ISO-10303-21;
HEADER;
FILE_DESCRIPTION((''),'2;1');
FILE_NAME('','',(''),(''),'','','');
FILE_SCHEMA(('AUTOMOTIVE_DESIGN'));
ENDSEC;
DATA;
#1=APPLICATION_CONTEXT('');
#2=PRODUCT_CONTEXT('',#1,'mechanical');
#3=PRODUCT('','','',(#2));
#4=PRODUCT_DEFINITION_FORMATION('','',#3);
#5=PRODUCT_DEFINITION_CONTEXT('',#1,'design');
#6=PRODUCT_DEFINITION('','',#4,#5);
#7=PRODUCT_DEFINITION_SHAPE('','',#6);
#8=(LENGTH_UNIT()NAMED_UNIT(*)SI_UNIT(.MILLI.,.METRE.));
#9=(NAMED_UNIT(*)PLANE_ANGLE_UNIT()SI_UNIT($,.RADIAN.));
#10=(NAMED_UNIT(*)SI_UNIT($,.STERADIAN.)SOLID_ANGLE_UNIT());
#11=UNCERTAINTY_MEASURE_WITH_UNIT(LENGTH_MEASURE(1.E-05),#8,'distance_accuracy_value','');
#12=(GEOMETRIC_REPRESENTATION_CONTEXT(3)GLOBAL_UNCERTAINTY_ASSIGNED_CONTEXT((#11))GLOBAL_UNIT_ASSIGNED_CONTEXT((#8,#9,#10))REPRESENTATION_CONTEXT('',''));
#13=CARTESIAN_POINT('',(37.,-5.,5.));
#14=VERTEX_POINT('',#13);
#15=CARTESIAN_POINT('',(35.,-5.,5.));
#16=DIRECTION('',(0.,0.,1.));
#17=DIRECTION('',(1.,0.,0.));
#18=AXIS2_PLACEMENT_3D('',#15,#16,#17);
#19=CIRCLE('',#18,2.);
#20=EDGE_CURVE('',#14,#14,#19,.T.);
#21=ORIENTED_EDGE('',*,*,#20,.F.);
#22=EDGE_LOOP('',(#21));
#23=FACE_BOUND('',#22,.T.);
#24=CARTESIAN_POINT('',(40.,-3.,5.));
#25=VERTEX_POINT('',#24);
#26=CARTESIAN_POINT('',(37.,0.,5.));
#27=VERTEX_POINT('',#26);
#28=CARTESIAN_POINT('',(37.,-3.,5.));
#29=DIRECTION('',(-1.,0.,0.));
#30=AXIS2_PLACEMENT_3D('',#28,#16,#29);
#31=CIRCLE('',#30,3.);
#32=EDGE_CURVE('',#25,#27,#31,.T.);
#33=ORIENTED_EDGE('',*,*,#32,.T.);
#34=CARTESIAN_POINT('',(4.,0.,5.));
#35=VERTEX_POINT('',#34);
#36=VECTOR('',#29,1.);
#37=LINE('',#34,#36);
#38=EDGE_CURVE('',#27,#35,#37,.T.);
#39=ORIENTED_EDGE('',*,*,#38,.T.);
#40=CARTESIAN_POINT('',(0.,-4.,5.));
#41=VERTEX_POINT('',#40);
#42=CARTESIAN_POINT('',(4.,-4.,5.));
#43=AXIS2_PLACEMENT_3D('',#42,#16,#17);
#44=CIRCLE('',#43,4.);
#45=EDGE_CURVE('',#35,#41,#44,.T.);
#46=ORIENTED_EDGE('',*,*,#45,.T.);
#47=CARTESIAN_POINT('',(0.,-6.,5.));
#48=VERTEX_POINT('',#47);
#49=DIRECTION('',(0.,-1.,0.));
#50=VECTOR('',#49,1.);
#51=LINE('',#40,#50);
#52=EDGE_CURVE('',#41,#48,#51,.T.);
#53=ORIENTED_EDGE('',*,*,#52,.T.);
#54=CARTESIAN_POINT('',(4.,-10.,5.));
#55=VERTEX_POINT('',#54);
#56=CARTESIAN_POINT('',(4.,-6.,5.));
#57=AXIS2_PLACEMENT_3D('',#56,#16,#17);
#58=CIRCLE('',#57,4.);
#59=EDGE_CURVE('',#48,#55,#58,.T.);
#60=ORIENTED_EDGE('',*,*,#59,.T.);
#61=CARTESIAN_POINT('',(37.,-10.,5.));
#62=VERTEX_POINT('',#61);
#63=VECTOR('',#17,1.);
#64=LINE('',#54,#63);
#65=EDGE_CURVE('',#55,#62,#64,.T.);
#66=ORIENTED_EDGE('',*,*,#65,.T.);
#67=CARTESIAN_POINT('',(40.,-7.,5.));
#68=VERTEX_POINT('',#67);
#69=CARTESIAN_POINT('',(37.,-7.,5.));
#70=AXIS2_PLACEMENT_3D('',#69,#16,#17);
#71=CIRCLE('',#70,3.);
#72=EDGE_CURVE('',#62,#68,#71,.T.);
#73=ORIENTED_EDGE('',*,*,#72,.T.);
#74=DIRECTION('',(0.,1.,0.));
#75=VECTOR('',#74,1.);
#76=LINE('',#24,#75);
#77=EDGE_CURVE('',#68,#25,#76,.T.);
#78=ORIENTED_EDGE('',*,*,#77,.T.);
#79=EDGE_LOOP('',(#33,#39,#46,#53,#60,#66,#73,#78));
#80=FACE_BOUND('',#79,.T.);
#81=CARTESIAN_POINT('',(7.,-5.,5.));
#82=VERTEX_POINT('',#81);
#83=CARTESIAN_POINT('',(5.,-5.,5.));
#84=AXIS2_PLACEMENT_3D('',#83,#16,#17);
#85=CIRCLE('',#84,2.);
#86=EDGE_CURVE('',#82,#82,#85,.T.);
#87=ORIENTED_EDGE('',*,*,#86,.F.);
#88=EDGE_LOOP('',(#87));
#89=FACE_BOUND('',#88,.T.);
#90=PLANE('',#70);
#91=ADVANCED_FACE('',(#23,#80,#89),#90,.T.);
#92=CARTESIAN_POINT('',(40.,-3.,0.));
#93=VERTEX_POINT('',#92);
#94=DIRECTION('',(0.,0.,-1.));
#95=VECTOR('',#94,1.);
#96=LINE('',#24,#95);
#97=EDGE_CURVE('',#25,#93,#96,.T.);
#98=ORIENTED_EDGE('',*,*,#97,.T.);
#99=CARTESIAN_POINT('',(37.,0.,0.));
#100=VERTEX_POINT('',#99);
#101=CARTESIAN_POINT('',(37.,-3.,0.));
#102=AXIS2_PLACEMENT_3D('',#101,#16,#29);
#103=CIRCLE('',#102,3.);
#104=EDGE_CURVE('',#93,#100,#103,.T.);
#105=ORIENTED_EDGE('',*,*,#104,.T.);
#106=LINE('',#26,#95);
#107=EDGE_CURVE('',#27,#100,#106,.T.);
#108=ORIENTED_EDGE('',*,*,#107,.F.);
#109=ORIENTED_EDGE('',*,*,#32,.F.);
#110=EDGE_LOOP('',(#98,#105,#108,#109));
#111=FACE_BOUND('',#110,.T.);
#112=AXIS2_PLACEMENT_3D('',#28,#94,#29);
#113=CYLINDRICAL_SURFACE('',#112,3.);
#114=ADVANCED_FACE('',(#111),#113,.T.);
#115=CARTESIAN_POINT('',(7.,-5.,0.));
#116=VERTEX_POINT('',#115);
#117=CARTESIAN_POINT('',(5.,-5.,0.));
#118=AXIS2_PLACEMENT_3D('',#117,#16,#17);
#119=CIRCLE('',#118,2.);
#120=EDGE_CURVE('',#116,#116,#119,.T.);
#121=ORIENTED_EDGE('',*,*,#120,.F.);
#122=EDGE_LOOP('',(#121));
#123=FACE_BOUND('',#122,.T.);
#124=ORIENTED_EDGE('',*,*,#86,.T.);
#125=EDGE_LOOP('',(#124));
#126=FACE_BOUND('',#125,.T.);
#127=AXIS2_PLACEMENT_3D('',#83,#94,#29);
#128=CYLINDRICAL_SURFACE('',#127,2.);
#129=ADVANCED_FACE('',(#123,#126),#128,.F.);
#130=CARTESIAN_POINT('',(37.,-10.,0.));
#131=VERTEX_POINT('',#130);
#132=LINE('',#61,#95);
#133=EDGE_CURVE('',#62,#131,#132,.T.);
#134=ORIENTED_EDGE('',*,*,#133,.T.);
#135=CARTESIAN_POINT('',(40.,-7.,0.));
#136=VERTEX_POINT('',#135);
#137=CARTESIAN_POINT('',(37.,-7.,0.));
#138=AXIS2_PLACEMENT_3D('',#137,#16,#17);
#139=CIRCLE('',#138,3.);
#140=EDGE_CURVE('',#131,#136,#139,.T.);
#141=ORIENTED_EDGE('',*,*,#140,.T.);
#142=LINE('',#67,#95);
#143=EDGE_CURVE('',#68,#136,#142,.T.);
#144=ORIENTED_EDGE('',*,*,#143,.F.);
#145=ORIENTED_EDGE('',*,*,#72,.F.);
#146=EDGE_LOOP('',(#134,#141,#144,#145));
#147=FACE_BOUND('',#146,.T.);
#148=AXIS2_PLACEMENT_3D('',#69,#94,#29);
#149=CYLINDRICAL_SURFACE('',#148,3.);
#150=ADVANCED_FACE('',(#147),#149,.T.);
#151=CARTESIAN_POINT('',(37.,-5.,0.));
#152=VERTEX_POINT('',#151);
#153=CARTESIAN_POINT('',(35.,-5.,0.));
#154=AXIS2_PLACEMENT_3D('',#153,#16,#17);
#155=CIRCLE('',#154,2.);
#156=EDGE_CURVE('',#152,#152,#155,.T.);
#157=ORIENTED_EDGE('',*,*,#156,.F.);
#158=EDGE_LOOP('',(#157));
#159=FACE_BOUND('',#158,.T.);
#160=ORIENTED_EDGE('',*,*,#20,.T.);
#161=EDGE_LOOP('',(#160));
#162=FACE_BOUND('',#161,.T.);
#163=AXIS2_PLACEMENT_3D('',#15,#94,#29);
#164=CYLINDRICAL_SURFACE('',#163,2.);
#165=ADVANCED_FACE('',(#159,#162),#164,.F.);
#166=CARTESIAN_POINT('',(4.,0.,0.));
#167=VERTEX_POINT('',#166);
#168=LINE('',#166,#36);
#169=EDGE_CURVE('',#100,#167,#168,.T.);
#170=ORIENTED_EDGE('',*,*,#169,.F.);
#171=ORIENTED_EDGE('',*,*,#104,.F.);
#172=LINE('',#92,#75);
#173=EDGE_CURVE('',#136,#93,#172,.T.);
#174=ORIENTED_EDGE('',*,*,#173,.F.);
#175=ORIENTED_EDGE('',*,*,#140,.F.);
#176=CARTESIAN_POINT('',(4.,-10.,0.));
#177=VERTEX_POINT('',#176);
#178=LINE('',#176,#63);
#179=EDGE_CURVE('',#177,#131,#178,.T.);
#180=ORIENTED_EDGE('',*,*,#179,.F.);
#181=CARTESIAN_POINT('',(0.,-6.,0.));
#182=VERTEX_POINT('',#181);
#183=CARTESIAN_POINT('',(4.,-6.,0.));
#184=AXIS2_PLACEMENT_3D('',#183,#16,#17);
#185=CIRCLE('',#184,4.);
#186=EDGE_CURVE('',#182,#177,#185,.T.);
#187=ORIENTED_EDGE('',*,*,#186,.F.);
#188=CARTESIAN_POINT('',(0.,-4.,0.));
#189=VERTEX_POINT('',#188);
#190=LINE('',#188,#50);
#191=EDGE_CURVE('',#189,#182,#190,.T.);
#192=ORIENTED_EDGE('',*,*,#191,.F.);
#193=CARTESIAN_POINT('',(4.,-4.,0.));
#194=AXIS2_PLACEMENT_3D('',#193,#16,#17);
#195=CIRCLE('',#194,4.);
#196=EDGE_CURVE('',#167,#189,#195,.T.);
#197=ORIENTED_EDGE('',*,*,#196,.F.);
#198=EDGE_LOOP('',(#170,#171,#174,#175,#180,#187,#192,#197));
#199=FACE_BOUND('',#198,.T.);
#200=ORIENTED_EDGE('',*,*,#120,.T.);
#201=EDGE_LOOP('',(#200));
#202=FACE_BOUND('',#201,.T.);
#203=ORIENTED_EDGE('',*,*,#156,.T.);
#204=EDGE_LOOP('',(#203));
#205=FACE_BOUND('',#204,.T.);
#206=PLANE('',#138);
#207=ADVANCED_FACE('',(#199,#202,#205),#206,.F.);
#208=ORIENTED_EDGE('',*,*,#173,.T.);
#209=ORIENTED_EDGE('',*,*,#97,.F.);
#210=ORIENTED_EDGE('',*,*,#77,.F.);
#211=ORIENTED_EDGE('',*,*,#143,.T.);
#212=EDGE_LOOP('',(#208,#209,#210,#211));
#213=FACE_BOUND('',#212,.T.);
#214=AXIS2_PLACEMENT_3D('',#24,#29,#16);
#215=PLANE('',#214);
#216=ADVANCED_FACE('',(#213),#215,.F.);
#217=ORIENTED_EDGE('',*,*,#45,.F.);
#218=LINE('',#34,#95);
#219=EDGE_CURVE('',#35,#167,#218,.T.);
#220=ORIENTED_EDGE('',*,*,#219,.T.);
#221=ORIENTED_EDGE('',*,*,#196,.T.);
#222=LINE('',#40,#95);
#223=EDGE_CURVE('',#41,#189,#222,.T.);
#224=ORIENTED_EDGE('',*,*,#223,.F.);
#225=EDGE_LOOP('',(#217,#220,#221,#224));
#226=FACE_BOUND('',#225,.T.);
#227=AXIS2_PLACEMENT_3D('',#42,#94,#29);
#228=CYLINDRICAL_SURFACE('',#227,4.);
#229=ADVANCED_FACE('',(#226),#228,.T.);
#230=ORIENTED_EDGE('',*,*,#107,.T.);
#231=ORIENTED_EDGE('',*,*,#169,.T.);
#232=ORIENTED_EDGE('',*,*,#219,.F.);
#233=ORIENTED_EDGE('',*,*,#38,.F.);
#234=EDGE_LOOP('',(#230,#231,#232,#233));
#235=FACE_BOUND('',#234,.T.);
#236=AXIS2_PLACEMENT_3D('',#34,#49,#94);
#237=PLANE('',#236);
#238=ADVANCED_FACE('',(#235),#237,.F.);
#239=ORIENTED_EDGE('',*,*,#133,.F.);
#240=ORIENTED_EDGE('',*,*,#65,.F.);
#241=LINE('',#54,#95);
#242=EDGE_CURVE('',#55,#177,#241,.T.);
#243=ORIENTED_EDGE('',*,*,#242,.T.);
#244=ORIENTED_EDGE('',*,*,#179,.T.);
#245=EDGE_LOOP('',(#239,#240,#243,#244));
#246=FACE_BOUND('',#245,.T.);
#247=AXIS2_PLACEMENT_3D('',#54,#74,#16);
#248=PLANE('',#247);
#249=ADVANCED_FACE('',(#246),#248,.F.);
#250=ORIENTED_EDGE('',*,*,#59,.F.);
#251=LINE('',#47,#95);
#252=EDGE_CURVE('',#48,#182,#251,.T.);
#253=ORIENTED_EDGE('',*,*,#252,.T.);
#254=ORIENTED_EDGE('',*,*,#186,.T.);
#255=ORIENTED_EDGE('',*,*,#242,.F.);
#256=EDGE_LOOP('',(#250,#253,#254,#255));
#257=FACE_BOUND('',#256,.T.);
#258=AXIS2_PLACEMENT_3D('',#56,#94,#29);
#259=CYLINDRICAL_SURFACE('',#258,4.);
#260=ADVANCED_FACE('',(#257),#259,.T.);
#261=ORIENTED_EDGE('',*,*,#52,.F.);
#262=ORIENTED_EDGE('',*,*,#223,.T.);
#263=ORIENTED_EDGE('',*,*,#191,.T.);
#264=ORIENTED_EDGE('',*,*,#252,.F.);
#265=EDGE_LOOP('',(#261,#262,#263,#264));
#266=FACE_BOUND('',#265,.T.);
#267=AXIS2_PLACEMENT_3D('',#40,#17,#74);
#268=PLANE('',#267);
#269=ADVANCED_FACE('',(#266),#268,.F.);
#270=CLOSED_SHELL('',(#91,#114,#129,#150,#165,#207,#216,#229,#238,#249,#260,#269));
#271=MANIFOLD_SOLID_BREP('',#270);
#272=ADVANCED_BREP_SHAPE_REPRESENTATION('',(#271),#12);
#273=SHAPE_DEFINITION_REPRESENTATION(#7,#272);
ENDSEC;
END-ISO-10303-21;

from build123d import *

# Parameters (mm, degrees)
SKETCH_1_R      = 2
EXTRUDE_1_DEPTH = 5


with BuildPart() as part:
    # 草图1 → 凸台-拉伸1 (new body)
    with BuildSketch(Plane.XY):
        with BuildLine():
            Line((4, 0), (37, 0))
            ThreePointArc((37, 0), (39.121320344, -0.878679656), (40, -3))
            Line((40, -3), (40, -7))
            ThreePointArc((40, -7), (39.121320344, -9.121320344), (37, -10))
            Line((37, -10), (4, -10))
            ThreePointArc((4, -10), (1.171572875, -8.828427125), (0, -6))
            Line((0, -6), (0, -4))
            ThreePointArc((0, -4), (1.171572875, -1.171572875), (4, 0))
        make_face()
        with Locations((35, -5)):
            Circle(SKETCH_1_R, mode=Mode.SUBTRACT)
        with Locations((5, -5)):
            Circle(SKETCH_1_R, mode=Mode.SUBTRACT)
    extrude(amount=EXTRUDE_1_DEPTH)


solid = part.part
